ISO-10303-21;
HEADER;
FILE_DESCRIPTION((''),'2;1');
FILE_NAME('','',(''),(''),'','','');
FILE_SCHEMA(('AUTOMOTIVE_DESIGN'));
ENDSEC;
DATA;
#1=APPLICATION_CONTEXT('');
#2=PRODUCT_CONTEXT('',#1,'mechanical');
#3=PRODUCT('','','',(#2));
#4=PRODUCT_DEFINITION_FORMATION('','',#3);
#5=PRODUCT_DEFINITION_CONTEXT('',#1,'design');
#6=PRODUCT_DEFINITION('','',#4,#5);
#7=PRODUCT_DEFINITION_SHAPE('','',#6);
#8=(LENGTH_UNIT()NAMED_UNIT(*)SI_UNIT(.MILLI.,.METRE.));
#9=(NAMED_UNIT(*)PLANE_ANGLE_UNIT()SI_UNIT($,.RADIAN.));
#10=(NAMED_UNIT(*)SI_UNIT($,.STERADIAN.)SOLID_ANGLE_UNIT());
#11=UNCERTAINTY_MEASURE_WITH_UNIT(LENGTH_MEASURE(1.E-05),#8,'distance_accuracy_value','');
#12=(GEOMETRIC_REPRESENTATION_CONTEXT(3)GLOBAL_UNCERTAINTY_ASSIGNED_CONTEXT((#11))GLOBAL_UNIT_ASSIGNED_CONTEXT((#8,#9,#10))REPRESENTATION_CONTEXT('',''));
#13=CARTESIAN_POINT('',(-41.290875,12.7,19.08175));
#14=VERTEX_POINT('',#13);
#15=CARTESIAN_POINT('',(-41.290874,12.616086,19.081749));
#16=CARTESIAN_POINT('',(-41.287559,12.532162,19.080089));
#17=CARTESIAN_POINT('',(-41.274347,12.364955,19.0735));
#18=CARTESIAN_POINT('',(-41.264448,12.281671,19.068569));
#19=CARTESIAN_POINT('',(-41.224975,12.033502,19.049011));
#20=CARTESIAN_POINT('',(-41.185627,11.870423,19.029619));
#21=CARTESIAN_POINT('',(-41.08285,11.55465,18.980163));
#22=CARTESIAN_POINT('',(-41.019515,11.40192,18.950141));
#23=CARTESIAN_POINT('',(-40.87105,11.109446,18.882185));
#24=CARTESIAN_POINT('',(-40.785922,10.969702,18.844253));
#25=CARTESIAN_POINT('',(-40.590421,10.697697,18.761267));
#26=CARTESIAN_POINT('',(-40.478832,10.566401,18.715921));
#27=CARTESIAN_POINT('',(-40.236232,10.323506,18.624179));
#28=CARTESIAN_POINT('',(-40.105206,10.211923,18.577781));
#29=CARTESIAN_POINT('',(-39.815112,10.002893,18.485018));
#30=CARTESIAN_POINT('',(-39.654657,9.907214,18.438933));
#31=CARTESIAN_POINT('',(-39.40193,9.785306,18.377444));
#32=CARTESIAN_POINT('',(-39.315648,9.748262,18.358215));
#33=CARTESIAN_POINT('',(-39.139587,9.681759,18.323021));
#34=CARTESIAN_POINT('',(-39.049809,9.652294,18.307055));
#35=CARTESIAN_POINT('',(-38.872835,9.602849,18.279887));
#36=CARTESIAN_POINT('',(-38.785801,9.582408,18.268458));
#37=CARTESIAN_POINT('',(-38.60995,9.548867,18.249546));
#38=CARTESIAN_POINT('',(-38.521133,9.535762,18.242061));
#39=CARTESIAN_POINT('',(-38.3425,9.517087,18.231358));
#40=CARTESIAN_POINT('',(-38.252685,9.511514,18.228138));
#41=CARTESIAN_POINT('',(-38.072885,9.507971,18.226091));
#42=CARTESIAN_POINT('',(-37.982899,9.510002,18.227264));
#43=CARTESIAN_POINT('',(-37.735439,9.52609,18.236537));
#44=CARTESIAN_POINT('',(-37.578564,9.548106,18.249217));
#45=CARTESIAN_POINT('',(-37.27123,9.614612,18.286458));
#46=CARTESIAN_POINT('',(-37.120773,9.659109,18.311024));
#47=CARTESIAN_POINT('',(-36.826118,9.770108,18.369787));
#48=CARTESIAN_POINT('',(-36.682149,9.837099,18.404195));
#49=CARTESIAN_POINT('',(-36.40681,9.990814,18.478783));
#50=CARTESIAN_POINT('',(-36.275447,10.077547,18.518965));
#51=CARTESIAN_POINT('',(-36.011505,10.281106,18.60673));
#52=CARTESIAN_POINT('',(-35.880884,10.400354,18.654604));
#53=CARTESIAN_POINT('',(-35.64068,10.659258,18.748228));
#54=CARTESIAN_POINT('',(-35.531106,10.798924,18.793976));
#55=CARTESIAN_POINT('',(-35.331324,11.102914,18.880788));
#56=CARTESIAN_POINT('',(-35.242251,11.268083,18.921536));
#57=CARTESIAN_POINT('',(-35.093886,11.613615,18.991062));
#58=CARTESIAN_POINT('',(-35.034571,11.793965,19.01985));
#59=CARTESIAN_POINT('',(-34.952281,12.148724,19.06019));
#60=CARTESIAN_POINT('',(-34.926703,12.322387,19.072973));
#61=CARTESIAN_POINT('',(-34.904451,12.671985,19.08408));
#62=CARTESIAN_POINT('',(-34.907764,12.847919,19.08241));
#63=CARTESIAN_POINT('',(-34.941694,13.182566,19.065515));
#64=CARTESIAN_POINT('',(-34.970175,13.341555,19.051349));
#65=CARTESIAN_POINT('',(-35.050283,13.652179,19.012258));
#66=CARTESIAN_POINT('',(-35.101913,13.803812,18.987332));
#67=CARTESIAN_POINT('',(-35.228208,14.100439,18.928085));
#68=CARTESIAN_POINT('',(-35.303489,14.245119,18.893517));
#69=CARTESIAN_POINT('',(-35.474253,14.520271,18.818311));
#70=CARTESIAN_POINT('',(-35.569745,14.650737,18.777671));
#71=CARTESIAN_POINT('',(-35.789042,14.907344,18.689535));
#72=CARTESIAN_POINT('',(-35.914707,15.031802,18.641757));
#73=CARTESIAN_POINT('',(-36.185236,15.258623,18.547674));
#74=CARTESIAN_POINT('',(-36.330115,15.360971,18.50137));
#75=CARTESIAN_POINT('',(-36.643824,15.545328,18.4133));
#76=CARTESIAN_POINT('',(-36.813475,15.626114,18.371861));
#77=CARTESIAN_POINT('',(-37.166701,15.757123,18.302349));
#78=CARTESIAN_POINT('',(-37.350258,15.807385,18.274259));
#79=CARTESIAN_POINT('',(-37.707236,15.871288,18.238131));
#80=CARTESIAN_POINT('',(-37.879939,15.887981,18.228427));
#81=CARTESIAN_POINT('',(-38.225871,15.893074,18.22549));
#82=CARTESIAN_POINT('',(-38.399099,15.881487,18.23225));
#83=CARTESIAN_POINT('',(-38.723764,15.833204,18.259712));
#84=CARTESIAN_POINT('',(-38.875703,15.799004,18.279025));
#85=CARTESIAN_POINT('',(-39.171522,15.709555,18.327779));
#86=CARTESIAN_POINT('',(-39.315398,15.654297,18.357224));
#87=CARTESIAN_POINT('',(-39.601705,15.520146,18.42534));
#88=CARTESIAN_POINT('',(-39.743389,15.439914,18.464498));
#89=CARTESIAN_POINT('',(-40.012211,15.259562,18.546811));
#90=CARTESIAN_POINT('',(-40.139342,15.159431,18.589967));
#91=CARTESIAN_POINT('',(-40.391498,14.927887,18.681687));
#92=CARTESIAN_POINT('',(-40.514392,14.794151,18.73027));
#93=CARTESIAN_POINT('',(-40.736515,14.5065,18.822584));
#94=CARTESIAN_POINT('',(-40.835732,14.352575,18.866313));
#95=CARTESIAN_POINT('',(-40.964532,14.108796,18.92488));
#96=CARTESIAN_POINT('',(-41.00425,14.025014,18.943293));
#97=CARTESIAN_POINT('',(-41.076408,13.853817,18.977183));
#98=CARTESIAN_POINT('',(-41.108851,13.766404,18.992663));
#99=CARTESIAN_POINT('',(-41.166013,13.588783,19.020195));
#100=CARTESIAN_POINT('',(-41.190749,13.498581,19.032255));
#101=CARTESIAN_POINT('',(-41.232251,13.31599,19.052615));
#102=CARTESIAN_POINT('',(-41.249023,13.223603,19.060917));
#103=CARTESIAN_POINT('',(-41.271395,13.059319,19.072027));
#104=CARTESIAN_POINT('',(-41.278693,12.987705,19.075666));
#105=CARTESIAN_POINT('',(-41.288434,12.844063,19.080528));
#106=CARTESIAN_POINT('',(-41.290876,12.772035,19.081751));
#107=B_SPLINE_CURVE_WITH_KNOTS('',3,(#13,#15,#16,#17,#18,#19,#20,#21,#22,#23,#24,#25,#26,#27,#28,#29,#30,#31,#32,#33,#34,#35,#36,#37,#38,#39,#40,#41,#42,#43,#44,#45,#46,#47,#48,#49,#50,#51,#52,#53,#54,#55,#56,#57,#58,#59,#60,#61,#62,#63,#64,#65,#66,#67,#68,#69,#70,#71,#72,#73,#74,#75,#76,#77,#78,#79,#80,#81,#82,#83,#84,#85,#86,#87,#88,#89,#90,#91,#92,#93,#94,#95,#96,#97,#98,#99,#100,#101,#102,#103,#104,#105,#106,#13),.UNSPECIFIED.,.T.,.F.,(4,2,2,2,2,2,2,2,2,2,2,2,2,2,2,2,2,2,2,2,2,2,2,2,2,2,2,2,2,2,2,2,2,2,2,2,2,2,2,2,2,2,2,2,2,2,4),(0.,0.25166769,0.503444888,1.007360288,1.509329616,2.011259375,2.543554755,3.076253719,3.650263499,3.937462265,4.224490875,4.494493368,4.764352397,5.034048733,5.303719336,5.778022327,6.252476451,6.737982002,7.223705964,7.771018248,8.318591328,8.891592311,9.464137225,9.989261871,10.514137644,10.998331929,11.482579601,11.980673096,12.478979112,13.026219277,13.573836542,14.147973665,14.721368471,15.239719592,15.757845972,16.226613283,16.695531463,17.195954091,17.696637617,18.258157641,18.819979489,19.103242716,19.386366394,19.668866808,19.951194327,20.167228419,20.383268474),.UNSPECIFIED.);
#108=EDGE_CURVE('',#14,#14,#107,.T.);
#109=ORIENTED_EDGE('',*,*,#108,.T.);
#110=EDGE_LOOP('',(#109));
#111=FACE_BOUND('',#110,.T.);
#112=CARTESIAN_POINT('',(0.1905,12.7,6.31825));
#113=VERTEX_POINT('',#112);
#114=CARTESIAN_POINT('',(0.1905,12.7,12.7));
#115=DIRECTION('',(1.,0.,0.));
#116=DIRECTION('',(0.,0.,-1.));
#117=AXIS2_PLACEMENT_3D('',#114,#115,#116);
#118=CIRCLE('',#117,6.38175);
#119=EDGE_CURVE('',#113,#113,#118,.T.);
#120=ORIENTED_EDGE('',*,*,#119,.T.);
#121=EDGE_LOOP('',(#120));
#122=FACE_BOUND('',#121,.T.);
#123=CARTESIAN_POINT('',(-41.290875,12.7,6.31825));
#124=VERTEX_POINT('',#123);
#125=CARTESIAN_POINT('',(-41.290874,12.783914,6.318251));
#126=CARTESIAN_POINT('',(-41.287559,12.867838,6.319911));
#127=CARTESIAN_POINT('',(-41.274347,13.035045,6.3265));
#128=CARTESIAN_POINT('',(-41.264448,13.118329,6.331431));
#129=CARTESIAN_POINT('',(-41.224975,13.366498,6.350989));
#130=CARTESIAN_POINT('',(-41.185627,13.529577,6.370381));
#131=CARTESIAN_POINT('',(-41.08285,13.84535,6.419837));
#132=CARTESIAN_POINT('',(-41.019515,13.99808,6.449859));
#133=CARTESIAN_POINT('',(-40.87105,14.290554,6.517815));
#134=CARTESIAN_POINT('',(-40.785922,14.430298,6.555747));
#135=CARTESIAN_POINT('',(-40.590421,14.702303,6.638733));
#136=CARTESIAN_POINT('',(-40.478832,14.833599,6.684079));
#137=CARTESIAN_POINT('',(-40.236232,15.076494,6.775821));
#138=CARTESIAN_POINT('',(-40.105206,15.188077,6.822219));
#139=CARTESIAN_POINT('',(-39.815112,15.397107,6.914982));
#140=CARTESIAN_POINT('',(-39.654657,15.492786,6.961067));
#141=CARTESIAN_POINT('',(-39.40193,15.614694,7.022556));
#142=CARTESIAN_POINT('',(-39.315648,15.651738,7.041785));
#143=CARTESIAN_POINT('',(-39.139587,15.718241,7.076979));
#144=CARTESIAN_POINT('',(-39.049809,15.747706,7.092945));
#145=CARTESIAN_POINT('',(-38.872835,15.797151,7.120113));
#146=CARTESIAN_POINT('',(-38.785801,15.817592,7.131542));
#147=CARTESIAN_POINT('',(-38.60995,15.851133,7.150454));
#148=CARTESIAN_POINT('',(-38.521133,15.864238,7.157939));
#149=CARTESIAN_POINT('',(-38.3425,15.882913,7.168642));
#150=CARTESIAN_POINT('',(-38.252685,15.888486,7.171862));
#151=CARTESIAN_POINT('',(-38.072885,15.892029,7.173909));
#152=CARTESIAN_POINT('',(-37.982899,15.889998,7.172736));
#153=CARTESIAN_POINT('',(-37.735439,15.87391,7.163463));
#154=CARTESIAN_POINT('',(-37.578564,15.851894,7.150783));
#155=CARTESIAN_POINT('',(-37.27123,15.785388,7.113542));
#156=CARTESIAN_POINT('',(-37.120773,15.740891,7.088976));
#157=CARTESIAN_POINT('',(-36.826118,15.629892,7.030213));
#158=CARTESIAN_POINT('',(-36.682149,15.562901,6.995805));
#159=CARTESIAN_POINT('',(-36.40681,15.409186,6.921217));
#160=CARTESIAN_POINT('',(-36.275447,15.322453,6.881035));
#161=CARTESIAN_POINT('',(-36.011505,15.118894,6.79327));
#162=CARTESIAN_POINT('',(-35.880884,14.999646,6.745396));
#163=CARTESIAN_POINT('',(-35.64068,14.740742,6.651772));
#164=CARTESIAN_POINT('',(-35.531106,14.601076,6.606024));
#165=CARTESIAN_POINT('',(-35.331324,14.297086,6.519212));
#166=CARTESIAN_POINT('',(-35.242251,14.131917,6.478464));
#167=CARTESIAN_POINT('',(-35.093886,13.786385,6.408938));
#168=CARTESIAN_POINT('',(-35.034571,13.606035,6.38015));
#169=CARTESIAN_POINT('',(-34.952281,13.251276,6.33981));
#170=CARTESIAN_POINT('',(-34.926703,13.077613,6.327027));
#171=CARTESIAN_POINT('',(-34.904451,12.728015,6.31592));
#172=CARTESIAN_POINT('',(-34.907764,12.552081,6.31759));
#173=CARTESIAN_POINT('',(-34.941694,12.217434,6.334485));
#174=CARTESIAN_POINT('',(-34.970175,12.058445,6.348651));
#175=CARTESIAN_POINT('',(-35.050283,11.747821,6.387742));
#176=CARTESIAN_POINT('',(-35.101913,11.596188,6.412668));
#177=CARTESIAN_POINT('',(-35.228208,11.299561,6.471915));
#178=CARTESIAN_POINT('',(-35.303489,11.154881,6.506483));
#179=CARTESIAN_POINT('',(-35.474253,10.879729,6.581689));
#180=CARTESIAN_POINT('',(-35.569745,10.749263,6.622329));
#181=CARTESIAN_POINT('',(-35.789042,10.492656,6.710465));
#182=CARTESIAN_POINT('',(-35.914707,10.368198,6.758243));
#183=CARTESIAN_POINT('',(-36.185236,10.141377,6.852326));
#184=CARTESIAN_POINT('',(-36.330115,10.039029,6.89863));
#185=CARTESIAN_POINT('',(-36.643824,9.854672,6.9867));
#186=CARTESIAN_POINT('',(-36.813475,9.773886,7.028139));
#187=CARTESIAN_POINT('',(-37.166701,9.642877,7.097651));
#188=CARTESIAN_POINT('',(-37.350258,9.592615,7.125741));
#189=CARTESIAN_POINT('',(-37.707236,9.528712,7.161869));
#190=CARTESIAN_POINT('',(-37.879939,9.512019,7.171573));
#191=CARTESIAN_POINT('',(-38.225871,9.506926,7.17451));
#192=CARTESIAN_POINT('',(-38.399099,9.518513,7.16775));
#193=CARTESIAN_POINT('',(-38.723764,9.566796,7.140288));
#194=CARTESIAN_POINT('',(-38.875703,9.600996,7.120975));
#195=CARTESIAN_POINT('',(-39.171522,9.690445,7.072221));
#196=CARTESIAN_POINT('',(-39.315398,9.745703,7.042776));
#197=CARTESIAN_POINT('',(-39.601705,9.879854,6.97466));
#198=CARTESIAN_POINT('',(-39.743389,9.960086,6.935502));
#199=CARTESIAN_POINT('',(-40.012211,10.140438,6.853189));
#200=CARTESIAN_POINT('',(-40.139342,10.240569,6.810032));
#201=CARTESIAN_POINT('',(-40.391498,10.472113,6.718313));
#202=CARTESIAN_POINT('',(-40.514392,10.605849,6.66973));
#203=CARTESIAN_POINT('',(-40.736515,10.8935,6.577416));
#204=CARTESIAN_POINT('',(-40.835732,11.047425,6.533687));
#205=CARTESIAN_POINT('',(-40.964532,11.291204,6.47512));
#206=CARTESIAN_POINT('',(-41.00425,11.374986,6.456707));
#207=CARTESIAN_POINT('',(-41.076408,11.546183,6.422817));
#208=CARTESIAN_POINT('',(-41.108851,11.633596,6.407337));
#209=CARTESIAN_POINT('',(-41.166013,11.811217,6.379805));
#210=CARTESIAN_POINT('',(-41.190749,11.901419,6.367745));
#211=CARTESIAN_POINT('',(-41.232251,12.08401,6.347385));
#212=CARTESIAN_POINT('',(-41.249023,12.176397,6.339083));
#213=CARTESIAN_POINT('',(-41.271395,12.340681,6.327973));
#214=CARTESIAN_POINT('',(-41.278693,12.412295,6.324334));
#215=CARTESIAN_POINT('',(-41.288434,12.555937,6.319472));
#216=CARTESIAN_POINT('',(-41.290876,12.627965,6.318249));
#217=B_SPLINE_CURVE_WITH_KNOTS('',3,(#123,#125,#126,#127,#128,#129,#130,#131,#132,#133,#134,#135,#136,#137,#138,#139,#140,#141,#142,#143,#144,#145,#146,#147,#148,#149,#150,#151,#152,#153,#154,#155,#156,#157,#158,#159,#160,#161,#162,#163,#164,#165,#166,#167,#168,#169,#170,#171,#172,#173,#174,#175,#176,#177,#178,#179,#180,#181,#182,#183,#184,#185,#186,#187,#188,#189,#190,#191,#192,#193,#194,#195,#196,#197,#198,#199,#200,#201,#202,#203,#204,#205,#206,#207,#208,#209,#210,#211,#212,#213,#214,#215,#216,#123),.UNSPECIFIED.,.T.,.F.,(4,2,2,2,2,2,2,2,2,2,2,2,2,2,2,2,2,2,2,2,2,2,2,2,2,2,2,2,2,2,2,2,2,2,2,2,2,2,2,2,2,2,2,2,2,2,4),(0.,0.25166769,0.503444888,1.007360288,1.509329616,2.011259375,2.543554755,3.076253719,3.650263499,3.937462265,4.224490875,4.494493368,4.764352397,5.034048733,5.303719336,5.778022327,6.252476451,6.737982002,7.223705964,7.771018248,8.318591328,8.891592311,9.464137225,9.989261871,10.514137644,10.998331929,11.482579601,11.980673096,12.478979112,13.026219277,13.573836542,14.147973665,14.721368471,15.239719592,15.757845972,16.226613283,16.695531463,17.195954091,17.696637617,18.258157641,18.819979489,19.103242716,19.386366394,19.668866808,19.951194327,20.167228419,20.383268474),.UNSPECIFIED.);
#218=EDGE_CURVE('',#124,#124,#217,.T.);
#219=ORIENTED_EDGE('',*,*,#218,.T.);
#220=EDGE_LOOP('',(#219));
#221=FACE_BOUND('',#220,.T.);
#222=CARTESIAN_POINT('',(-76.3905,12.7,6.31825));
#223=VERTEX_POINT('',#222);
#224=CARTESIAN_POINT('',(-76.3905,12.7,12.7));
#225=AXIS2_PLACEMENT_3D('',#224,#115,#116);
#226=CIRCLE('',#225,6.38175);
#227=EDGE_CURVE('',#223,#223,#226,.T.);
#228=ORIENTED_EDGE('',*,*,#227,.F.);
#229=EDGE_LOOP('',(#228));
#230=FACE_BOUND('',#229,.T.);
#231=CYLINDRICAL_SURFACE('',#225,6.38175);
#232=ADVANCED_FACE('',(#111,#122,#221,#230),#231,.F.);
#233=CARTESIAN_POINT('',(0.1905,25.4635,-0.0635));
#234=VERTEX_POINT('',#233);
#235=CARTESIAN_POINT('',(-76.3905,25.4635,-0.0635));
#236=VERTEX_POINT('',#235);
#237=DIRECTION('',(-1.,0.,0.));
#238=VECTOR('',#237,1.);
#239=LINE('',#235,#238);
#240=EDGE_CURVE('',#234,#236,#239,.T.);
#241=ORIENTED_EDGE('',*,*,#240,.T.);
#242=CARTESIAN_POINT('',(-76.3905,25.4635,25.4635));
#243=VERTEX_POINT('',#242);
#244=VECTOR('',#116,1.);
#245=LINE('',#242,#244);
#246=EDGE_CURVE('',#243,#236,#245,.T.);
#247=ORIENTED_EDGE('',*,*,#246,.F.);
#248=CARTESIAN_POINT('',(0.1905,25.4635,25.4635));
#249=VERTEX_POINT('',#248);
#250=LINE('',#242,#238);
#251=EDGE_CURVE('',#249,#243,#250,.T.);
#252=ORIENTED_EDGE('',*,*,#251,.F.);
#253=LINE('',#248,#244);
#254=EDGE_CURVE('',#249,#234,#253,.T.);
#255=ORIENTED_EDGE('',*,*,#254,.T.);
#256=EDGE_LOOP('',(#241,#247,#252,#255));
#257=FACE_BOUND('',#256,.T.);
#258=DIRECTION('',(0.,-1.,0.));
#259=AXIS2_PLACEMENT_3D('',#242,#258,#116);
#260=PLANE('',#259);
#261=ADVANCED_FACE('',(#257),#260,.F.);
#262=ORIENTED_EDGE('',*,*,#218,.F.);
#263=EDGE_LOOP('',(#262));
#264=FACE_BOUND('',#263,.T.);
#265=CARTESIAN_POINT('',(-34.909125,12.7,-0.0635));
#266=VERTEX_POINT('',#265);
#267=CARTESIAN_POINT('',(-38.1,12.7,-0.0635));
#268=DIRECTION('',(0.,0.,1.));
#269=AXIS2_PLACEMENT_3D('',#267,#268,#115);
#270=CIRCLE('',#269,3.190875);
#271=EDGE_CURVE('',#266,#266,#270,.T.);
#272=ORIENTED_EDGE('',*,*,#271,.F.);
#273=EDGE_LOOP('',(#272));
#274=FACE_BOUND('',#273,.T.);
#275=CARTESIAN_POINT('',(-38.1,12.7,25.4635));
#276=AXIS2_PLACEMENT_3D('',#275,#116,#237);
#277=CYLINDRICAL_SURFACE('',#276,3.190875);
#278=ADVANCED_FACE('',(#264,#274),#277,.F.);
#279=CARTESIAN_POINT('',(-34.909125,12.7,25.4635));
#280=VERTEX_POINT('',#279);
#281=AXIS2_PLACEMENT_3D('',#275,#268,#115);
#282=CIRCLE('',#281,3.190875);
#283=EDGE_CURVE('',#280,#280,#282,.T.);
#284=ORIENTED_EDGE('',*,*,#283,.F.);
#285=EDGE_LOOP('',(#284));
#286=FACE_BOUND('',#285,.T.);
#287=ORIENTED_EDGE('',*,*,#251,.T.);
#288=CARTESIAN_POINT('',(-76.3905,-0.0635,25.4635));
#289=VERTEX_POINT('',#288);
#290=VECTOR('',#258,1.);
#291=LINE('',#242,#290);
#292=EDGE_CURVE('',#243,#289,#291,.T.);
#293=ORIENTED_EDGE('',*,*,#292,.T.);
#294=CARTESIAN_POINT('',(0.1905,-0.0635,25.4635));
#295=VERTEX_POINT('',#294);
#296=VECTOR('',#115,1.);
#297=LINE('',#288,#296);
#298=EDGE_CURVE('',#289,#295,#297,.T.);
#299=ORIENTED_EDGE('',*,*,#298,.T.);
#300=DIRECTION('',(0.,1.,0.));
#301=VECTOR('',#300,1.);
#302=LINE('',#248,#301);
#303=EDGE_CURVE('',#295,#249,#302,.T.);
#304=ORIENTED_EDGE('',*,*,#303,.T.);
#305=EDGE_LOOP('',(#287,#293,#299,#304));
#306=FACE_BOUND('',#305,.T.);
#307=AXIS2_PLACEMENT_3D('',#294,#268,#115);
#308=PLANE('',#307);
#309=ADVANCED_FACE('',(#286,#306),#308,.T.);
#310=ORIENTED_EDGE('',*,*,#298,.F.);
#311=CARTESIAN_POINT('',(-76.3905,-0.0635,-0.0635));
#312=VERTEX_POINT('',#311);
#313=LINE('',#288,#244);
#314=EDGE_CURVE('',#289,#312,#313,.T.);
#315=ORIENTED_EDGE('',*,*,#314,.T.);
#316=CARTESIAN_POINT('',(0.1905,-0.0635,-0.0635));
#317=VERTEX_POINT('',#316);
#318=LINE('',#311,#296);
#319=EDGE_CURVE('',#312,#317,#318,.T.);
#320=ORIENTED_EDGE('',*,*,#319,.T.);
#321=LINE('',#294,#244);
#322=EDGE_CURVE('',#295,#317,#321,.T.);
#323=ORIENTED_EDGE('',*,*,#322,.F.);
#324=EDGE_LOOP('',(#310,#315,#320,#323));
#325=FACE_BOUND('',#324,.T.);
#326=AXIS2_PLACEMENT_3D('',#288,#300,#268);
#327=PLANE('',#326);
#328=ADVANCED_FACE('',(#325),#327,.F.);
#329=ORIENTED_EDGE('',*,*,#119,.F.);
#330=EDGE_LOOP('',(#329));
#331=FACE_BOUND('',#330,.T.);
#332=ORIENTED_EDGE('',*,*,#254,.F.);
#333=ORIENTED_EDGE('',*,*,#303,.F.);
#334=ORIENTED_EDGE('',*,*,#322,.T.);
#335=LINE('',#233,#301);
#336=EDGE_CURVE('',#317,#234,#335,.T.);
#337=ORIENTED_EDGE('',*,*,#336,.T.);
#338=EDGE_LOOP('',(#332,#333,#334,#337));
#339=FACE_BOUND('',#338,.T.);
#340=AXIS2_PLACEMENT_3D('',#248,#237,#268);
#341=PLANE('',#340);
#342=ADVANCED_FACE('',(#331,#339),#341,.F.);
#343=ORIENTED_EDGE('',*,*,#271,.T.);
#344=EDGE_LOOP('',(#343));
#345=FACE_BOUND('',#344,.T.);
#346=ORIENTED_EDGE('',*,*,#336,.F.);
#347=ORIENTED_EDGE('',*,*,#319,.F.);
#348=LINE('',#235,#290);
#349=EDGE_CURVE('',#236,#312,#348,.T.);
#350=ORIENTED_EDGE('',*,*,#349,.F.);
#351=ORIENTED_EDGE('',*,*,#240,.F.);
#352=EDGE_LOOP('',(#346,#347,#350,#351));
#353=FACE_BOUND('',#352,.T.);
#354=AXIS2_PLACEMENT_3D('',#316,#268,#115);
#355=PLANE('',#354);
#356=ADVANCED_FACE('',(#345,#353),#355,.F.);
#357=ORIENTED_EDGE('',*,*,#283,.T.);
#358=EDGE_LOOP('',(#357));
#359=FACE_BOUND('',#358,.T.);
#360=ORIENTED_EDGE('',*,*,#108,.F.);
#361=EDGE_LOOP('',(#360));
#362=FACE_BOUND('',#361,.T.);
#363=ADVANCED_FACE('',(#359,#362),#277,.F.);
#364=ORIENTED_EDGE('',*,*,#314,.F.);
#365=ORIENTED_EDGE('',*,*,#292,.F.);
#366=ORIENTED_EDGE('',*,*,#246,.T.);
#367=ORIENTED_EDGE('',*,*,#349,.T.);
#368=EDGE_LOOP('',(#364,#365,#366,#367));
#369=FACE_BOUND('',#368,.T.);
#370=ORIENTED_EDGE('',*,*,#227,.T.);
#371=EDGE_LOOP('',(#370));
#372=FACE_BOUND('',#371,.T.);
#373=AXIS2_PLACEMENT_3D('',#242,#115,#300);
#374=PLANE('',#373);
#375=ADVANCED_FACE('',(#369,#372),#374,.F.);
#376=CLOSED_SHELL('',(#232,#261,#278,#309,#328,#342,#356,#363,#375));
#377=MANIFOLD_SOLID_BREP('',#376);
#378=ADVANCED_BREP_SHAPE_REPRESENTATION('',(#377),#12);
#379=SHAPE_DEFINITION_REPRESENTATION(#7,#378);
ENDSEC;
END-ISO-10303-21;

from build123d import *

# Parameters (mm, degrees)
SKETCH1_W           = 76.2
SKETCH1_H           = 25.4
SKETCH1_R           = 3.175
BOSS_EXTRUDE1_DEPTH = 25.4
SKETCH2_R           = 6.35
CUT_EXTRUDE1_DEPTH  = 85.242269675
SCALE1_SCALE        = 1.5
SCALE2_SCALE        = 0.67


with BuildPart() as part:
    # Sketch1 → Boss-Extrude1 (new body)
    with BuildSketch(Plane.XY):
        with Locations((-38.1, 12.7)):
            Rectangle(SKETCH1_W, SKETCH1_H)
        with Locations((-38.1, 12.7)):
            Circle(SKETCH1_R, mode=Mode.SUBTRACT)
    extrude(amount=BOSS_EXTRUDE1_DEPTH)

    # Sketch2 → Cut-Extrude1 (cut, through all)
    with BuildSketch(Plane(origin=(0, 0, 0), x_dir=(0, 0, -1), z_dir=(1, 0, 0))):
        with Locations((-12.7, 12.7)):
            Circle(SKETCH2_R)
    extrude(amount=-CUT_EXTRUDE1_DEPTH, mode=Mode.SUBTRACT)


with BuildPart() as part_1:
    # Scale1: scaled about (-38.100000058, 12.700000154, 12.700000148)
    add(part.part.scale(SCALE1_SCALE).moved(Location((19.050000029, -6.350000077, -6.350000074))))


with BuildPart() as part_2:
    # Scale2: scaled about (-38.100000058, 12.700000155, 12.700000148)
    add(part_1.part.scale(SCALE2_SCALE).moved(Location((-12.573000019, 4.191000051, 4.191000049))))


solid = part_2.part
